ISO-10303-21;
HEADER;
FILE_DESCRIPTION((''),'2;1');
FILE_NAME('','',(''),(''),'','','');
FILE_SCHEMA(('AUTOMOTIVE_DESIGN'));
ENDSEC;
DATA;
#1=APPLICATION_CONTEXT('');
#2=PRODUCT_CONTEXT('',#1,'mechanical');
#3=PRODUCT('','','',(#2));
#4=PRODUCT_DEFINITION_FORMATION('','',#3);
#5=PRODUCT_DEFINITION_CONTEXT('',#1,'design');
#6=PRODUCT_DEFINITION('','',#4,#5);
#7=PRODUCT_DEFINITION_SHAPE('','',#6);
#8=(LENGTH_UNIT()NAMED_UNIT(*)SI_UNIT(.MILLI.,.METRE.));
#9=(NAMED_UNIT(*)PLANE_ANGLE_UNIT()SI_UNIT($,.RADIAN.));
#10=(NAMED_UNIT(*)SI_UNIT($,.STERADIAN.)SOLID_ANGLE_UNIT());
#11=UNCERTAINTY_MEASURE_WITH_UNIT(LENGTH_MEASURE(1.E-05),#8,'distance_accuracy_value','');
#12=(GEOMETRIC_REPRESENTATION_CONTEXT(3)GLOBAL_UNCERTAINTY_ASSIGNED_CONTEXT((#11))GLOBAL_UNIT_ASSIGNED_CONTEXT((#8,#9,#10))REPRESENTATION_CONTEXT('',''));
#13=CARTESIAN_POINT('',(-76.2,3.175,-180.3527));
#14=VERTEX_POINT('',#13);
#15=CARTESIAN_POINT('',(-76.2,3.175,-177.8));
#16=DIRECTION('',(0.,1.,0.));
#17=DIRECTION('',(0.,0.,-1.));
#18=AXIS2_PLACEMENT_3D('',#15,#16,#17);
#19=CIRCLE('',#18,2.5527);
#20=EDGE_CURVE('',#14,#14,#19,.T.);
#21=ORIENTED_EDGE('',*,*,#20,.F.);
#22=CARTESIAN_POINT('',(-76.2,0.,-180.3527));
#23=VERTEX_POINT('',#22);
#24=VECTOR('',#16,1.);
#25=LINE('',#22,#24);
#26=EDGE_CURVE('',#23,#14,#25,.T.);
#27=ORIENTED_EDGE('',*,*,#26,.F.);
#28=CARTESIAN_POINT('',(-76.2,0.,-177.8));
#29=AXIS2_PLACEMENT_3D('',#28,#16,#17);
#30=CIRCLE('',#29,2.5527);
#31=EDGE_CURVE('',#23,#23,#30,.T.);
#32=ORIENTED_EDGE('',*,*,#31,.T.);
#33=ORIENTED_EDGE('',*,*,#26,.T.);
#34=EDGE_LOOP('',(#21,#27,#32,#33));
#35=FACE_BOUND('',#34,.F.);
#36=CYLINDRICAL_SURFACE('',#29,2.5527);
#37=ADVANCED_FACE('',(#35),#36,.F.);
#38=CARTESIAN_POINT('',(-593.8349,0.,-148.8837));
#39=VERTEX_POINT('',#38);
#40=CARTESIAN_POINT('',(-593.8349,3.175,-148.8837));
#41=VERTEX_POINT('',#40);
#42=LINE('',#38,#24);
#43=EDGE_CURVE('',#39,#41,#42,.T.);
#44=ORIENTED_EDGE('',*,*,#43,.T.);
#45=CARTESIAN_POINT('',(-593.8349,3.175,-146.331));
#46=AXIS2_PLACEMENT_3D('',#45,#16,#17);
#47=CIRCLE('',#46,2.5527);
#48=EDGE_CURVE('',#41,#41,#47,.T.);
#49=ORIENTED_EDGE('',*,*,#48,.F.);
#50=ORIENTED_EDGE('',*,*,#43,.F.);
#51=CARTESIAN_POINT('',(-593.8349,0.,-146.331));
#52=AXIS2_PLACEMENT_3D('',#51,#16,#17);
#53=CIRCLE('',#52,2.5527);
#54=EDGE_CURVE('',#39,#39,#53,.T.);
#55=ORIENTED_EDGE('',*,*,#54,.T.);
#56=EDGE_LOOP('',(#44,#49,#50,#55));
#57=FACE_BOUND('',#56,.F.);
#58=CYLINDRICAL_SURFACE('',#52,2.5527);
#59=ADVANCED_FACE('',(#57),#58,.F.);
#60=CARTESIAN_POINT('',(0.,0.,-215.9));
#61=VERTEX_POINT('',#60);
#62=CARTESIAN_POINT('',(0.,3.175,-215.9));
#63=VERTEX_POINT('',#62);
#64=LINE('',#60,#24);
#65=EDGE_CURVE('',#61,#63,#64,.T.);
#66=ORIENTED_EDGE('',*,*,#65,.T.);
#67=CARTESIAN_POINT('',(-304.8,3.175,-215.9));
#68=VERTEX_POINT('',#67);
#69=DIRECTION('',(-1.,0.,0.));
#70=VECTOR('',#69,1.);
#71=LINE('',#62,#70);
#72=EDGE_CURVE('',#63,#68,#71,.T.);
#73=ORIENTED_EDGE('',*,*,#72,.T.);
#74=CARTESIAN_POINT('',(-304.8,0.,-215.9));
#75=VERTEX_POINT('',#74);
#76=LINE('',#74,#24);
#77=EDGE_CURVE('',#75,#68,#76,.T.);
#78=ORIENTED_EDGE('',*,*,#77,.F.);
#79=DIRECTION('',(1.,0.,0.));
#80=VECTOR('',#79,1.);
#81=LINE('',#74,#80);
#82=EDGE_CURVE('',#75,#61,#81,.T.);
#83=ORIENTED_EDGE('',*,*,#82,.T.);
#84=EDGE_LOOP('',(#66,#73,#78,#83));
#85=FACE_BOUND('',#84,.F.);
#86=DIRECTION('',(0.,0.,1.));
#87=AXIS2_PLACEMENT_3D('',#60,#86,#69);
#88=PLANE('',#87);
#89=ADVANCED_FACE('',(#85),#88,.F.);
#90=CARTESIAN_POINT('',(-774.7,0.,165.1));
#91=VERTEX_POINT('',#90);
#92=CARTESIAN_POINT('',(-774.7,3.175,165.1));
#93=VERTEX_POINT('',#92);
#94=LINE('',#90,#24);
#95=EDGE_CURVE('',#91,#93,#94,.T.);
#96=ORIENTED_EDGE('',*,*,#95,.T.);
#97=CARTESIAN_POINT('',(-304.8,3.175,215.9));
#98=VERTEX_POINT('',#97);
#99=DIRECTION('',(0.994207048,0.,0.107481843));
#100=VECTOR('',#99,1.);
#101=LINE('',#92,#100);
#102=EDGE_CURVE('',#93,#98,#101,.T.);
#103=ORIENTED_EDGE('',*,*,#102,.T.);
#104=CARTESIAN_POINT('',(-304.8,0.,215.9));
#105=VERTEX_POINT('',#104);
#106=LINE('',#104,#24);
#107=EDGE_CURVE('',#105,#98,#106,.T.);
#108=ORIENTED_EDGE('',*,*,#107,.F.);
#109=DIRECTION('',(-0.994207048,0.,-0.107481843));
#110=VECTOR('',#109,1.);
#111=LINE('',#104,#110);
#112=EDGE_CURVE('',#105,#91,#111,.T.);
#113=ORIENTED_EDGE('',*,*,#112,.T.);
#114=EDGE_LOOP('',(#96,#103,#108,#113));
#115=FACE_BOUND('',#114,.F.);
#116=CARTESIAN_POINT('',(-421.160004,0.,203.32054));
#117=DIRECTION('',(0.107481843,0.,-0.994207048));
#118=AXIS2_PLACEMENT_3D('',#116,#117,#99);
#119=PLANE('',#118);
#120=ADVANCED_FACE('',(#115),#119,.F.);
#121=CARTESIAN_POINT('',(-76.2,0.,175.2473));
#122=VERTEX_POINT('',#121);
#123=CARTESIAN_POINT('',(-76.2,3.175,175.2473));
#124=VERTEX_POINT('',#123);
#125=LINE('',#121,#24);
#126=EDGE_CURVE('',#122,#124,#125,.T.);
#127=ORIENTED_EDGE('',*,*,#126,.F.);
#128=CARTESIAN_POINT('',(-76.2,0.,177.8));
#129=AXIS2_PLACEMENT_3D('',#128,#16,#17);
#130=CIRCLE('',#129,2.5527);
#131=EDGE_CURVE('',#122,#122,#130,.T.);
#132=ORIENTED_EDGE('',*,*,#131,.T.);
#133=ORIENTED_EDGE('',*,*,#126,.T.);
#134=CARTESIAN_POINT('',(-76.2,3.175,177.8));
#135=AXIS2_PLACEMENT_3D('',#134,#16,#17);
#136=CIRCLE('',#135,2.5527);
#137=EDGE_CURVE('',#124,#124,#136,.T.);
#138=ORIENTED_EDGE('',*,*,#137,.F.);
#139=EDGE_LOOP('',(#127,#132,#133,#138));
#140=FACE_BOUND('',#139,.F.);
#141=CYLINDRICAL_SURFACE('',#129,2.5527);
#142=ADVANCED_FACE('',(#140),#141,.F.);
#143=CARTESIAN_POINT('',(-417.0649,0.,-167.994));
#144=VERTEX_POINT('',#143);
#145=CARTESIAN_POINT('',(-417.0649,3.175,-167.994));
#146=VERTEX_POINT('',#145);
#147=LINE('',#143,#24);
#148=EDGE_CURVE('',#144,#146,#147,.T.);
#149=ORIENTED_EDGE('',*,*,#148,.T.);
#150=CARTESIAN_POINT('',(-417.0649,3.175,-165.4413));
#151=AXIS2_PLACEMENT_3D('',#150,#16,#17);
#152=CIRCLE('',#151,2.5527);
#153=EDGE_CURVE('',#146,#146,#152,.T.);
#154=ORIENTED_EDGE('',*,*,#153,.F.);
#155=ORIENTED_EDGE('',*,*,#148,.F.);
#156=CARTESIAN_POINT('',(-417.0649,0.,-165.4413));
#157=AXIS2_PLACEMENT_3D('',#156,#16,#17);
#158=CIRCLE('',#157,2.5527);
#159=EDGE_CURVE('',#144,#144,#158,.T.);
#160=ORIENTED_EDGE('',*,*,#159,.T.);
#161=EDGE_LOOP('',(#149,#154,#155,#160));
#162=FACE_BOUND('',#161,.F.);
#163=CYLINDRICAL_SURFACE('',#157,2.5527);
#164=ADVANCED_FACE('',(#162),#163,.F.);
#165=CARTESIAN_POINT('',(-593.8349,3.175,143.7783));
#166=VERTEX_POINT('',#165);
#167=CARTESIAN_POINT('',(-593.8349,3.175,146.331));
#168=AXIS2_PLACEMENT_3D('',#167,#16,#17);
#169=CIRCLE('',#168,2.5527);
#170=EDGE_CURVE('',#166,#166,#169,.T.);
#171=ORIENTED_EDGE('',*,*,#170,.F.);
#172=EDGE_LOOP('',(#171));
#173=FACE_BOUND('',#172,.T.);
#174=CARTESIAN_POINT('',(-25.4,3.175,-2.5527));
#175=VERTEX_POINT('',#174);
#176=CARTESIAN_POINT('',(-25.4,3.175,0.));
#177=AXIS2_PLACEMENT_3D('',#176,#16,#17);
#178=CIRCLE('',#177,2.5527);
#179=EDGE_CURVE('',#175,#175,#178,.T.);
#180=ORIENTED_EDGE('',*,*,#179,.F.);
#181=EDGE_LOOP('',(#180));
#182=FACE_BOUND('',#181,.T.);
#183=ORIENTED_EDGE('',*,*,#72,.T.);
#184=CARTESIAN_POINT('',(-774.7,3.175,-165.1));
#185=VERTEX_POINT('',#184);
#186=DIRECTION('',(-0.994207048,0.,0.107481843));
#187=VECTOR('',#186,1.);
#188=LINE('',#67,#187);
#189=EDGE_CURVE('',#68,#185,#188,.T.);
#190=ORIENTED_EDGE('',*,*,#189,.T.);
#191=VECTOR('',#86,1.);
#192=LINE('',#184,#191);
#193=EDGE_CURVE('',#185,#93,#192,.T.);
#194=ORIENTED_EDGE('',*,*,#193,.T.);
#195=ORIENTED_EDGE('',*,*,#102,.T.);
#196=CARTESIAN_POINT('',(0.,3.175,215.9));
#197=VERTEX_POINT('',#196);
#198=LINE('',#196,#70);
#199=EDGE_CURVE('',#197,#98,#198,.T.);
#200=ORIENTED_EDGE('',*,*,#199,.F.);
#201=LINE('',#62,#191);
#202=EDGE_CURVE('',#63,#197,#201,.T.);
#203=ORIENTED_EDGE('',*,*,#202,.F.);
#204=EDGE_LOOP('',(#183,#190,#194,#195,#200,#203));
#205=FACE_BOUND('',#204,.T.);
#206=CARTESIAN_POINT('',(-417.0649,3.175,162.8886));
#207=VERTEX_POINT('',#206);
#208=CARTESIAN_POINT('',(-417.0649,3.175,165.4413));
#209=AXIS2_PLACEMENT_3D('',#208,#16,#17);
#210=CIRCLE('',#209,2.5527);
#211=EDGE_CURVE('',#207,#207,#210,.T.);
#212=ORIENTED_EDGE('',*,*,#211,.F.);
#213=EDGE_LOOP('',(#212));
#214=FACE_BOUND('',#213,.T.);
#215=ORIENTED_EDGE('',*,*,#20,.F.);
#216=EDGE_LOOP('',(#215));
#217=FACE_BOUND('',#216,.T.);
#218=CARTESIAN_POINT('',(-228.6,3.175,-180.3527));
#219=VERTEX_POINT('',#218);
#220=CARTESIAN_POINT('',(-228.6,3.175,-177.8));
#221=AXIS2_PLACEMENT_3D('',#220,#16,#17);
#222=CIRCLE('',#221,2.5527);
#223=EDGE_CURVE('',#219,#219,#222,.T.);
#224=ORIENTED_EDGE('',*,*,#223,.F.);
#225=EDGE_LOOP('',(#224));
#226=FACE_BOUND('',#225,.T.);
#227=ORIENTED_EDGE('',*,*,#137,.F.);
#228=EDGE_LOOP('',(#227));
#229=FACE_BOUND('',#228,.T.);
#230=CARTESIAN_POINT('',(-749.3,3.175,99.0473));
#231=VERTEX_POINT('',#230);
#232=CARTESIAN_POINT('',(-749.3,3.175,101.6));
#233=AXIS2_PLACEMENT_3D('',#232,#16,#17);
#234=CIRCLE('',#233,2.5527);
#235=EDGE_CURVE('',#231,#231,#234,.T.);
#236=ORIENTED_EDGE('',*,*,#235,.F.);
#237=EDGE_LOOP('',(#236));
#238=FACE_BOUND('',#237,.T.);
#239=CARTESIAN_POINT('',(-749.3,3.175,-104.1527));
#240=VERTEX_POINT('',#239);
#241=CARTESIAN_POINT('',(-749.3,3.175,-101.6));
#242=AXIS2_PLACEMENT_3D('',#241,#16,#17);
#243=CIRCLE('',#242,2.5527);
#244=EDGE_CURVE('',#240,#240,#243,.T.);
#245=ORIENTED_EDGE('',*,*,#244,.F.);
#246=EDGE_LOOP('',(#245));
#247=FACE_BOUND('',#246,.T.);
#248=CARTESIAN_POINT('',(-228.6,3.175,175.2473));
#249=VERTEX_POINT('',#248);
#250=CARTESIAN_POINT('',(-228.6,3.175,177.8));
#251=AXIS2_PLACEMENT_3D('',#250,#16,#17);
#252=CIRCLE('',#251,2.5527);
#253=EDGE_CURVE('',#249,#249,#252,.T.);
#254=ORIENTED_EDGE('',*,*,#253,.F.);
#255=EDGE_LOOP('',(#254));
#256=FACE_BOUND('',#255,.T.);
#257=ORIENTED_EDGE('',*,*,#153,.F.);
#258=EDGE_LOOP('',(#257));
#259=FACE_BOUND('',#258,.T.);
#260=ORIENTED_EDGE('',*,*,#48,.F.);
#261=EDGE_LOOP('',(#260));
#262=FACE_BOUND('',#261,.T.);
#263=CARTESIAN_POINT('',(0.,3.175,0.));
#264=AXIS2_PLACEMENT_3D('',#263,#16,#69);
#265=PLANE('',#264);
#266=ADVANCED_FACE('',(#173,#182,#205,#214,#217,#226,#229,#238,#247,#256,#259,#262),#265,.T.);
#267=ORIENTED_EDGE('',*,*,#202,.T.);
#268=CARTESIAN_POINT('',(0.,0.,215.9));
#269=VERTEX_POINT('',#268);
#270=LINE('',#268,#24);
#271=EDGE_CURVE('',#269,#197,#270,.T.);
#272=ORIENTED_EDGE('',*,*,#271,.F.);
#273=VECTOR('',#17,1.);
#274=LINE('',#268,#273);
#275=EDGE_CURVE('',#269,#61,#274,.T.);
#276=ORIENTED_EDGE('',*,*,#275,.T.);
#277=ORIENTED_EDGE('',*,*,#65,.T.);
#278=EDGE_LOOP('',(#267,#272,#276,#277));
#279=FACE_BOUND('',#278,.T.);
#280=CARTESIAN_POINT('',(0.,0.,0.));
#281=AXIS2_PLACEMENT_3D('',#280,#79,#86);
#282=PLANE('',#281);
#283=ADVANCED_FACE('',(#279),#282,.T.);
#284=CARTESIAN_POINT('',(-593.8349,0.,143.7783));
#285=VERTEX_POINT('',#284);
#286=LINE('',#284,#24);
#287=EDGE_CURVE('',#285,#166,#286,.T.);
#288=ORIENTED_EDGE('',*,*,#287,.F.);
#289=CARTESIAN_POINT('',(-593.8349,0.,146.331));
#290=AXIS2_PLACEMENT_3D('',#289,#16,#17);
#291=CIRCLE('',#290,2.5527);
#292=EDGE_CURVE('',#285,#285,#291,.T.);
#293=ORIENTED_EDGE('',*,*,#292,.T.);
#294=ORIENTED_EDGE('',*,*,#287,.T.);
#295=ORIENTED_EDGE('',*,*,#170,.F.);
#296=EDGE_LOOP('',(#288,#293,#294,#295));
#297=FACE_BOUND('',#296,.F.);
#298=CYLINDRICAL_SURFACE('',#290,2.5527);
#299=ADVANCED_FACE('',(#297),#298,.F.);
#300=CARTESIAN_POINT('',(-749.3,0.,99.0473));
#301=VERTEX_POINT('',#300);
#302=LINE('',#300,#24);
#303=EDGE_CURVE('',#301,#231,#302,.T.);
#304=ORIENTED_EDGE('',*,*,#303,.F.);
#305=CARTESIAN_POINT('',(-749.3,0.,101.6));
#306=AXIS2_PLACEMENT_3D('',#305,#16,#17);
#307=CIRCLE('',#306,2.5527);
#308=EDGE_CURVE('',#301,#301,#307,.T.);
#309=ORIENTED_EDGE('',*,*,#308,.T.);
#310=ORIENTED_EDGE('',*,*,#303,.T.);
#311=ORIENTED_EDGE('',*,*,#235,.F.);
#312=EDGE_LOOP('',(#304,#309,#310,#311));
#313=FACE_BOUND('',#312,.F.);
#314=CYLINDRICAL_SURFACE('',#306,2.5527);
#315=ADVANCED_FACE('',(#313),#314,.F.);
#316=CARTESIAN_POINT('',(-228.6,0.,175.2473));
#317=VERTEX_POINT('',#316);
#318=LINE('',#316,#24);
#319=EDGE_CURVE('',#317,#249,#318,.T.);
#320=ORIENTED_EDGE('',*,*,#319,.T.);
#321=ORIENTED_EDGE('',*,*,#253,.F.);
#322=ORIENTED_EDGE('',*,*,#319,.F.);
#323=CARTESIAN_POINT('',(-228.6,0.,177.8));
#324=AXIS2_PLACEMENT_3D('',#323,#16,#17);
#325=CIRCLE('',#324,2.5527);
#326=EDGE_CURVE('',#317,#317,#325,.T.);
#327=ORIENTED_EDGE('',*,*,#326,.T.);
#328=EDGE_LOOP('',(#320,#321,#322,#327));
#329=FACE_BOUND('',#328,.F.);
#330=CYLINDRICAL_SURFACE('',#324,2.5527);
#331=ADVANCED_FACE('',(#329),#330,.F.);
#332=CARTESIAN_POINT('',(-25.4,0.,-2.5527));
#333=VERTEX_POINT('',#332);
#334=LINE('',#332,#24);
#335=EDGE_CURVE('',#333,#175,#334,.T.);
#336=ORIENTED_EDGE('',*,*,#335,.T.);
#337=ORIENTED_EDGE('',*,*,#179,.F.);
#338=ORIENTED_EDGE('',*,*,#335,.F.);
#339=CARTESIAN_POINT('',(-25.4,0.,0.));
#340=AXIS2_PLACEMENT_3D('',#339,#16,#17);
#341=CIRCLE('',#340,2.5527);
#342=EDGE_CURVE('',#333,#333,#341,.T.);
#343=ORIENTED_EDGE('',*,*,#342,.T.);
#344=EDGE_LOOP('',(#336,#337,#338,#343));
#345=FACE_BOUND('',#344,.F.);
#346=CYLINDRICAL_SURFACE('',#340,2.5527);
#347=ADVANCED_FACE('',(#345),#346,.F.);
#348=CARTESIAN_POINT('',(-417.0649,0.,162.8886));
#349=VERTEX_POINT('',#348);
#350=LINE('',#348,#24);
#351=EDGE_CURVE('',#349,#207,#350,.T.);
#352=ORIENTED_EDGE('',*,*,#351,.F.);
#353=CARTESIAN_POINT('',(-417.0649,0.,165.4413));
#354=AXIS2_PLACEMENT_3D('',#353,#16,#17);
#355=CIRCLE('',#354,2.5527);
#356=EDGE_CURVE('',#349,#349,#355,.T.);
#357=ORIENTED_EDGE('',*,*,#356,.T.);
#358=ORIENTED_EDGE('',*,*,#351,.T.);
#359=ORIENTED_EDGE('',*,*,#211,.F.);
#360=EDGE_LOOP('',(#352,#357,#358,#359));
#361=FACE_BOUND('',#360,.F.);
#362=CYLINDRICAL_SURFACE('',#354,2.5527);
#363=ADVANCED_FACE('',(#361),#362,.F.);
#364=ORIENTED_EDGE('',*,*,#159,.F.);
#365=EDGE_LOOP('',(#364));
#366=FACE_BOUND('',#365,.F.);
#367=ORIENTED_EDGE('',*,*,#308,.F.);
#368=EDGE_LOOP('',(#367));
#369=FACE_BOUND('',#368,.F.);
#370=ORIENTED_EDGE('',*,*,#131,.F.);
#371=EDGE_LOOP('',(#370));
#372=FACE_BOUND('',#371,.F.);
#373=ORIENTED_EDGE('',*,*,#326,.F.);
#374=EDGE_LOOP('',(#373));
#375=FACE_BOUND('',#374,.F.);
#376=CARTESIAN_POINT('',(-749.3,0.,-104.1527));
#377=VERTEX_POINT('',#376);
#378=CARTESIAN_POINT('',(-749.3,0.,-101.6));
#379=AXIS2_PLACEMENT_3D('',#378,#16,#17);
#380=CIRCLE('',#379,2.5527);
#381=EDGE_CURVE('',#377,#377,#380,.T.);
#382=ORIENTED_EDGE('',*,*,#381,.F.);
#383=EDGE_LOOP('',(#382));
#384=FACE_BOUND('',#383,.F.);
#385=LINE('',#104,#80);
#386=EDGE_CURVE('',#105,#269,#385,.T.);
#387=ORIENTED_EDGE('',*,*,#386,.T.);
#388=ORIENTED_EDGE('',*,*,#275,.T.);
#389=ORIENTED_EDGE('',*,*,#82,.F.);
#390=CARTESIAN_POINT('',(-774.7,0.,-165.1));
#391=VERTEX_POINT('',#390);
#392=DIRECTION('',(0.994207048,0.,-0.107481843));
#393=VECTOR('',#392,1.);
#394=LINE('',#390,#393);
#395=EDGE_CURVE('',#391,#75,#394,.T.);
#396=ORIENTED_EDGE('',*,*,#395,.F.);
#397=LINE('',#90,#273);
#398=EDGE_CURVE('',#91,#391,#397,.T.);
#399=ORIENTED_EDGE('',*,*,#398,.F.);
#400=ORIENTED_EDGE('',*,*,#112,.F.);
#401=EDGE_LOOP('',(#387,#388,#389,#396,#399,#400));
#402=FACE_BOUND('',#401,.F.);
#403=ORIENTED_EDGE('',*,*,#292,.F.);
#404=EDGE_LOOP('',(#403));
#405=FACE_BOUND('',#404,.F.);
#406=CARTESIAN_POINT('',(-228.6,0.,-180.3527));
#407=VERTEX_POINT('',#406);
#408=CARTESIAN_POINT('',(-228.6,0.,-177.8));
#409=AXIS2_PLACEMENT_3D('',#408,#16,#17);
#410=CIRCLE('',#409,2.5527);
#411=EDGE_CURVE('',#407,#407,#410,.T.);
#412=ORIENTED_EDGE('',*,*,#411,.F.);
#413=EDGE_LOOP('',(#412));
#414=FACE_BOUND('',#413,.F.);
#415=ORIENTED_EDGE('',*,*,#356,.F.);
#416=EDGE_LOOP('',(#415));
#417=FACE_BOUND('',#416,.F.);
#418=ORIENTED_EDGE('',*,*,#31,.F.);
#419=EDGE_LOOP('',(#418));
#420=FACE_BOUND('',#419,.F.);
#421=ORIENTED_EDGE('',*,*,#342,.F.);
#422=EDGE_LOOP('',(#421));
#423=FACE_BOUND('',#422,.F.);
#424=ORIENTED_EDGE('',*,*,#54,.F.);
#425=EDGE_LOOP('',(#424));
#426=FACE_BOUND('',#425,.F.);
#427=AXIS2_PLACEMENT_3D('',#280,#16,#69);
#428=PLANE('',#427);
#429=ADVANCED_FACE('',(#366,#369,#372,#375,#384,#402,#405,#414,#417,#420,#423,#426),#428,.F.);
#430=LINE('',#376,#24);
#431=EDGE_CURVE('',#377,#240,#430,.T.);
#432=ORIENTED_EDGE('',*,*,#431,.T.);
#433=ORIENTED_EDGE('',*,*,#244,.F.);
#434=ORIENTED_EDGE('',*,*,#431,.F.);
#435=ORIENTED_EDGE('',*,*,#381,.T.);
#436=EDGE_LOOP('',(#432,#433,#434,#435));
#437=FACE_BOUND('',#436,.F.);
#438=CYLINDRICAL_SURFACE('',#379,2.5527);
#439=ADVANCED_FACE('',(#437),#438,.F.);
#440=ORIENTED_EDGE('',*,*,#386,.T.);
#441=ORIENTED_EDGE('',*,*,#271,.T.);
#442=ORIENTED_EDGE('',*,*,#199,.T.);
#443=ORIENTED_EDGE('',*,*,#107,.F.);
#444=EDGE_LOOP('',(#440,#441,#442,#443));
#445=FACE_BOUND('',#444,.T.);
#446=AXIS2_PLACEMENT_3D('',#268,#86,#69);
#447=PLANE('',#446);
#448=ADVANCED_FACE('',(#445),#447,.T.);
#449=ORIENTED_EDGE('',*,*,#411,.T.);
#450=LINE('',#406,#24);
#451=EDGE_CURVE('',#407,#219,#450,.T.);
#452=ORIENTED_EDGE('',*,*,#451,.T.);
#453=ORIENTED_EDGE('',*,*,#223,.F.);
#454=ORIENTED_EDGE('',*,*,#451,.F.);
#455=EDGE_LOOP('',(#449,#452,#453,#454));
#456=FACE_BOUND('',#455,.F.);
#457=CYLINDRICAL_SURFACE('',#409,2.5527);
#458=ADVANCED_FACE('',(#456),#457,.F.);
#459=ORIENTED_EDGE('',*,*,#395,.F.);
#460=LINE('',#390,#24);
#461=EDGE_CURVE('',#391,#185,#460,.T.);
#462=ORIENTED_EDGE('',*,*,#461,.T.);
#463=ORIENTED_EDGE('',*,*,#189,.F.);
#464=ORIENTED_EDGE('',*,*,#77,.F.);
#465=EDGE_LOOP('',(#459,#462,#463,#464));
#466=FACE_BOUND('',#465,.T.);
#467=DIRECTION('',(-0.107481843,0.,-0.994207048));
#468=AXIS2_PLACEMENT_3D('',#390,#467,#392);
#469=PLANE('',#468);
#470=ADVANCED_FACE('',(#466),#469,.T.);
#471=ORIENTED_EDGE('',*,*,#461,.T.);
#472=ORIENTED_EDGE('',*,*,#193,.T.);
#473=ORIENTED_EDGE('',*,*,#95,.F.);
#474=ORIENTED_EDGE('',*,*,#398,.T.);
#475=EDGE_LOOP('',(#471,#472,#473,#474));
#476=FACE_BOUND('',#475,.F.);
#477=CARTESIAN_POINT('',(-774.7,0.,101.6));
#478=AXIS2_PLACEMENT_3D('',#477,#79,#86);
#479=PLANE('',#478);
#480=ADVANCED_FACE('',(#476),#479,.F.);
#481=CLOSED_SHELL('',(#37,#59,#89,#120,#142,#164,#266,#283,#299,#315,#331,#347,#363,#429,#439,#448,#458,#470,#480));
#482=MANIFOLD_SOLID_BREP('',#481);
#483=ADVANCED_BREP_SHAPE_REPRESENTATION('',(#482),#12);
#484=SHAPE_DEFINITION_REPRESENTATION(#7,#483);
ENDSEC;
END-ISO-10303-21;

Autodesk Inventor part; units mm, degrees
ref_plane "YZ Plane" through (0, 0, 0) normal (1, 0, 0) x (0, 1, 0)
ref_plane "XZ Plane" through (0, 0, 0) normal (0, 1, 0) x (-1, 0, 0)
ref_plane "XY Plane" through (0, 0, 0) normal (0, 0, 1) x (1, 0, 0)
sketch "Sketch1" plane through (0, 0, 0) normal (0, 1, 0) x (-1, 0, 0)
  line L0 (0, 0) -> (0, 215.9)
  line L1 (0, 215.9) -> (304.8, 215.9)
  line L2 (0, 0) -> (774.7, 0)
  line L3 (0, 0) -> (0, -215.9)
  line L4 (0, -215.9) -> (304.8, -215.9)
  line L5 (774.7, 0) -> (774.7, -165.1)
  line L6 (774.7, -165.1) -> (774.7, 0)
  line L7 (774.7, 0) -> (774.7, 165.1)
  line L8 (774.7, 165.1) -> (304.8, 215.9)
  line L9 (774.7, -165.1) -> (304.8, -215.9)
  line L10 (0, -215.9) -> (76.2, -215.9)
  line L11 (76.2, -215.9) -> (76.2, -177.8)
  line L12 (304.8, -215.9) -> (228.6, -215.9)
  line L13 (228.6, -215.9) -> (228.6, -177.8)
  line L14 (774.7, 0) -> (774.7, -101.6)
  line L15 (774.7, -101.6) -> (749.3, -101.6)
  line L16 (774.7, 0) -> (774.7, 101.6)
  line L17 (774.7, 101.6) -> (749.3, 101.6)
  line L18 (0, 215.9) -> (76.2, 215.9)
  line L19 (76.2, 215.9) -> (76.2, 177.8)
  line L20 (304.8, 215.9) -> (228.6, 215.9)
  line L21 (228.6, 215.9) -> (228.6, 177.8)
  line L22 (0, 0) -> (25.4, 0)
  line L23 (774.7, -165.1) -> (597.93, -184.2103)
  line L24 (597.93, -184.2103) -> (593.8349, -146.331)
  line L25 (597.93, -184.2103) -> (421.16, -203.3205)
  line L26 (421.16, -203.3205) -> (417.0649, -165.4413)
  line L27 (774.7, 165.1) -> (597.93, 184.2103)
  line L28 (597.93, 184.2103) -> (593.8349, 146.331)
  line L29 (597.93, 184.2103) -> (421.16, 203.3205)
  line L30 (421.16, 203.3205) -> (417.0649, 165.4413)
  dimension "d0" = 215.9
  dimension "d1" = 304.8
  dimension "d2" = 774.7
  dimension "d3" = 215.9
  dimension "d4" = 304.8
  dimension "d5" = 165.1
  dimension "d6" = 165.1
  dimension "d9" = 76.2
  dimension "d10" = 38.1
  dimension "d11" = 76.2
  dimension "d12" = 38.1
  dimension "d15" = 101.6
  dimension "d16" = 25.4
  dimension "d17" = 101.6
  dimension "d18" = 25.4
  dimension "d23" = 76.2
  dimension "d24" = 38.1
  dimension "d25" = 76.2
  dimension "d26" = 38.1
  dimension "d32" = 25.4
  dimension "d34" = 177.8
  dimension "d35" = 38.1
  dimension "d36" = 177.8
  dimension "d37" = 38.1
  dimension "d38" = 177.8
  dimension "d39" = 38.1
  dimension "d40" = 177.8
  dimension "d41" = 38.1
extrude "Extrusion1" add sketch "Sketch1" along normal blind 3.175
hole "Hole1" at (-593.8349, 0, -146.331) at (-417.0649, 0, -165.4413) at (-228.6, 0, -177.8) at (-76.2, 0, -177.8) at (-76.2, 0, 177.8) at (-228.6, 0, 177.8) at (-417.0649, 0, 165.4413) at (-593.8349, 0, 146.331) at (-749.3, 0, 101.6) at (-749.3, 0, -101.6) at (-25.4, 0, 0) direction (0, 1, 0) diameter 5.1054 end through all clearance for "Flat Head Machine Screw (82)" size "#10" standard "Ansi Unified Screw Threads"
properties part number "frontfloorfit2"
